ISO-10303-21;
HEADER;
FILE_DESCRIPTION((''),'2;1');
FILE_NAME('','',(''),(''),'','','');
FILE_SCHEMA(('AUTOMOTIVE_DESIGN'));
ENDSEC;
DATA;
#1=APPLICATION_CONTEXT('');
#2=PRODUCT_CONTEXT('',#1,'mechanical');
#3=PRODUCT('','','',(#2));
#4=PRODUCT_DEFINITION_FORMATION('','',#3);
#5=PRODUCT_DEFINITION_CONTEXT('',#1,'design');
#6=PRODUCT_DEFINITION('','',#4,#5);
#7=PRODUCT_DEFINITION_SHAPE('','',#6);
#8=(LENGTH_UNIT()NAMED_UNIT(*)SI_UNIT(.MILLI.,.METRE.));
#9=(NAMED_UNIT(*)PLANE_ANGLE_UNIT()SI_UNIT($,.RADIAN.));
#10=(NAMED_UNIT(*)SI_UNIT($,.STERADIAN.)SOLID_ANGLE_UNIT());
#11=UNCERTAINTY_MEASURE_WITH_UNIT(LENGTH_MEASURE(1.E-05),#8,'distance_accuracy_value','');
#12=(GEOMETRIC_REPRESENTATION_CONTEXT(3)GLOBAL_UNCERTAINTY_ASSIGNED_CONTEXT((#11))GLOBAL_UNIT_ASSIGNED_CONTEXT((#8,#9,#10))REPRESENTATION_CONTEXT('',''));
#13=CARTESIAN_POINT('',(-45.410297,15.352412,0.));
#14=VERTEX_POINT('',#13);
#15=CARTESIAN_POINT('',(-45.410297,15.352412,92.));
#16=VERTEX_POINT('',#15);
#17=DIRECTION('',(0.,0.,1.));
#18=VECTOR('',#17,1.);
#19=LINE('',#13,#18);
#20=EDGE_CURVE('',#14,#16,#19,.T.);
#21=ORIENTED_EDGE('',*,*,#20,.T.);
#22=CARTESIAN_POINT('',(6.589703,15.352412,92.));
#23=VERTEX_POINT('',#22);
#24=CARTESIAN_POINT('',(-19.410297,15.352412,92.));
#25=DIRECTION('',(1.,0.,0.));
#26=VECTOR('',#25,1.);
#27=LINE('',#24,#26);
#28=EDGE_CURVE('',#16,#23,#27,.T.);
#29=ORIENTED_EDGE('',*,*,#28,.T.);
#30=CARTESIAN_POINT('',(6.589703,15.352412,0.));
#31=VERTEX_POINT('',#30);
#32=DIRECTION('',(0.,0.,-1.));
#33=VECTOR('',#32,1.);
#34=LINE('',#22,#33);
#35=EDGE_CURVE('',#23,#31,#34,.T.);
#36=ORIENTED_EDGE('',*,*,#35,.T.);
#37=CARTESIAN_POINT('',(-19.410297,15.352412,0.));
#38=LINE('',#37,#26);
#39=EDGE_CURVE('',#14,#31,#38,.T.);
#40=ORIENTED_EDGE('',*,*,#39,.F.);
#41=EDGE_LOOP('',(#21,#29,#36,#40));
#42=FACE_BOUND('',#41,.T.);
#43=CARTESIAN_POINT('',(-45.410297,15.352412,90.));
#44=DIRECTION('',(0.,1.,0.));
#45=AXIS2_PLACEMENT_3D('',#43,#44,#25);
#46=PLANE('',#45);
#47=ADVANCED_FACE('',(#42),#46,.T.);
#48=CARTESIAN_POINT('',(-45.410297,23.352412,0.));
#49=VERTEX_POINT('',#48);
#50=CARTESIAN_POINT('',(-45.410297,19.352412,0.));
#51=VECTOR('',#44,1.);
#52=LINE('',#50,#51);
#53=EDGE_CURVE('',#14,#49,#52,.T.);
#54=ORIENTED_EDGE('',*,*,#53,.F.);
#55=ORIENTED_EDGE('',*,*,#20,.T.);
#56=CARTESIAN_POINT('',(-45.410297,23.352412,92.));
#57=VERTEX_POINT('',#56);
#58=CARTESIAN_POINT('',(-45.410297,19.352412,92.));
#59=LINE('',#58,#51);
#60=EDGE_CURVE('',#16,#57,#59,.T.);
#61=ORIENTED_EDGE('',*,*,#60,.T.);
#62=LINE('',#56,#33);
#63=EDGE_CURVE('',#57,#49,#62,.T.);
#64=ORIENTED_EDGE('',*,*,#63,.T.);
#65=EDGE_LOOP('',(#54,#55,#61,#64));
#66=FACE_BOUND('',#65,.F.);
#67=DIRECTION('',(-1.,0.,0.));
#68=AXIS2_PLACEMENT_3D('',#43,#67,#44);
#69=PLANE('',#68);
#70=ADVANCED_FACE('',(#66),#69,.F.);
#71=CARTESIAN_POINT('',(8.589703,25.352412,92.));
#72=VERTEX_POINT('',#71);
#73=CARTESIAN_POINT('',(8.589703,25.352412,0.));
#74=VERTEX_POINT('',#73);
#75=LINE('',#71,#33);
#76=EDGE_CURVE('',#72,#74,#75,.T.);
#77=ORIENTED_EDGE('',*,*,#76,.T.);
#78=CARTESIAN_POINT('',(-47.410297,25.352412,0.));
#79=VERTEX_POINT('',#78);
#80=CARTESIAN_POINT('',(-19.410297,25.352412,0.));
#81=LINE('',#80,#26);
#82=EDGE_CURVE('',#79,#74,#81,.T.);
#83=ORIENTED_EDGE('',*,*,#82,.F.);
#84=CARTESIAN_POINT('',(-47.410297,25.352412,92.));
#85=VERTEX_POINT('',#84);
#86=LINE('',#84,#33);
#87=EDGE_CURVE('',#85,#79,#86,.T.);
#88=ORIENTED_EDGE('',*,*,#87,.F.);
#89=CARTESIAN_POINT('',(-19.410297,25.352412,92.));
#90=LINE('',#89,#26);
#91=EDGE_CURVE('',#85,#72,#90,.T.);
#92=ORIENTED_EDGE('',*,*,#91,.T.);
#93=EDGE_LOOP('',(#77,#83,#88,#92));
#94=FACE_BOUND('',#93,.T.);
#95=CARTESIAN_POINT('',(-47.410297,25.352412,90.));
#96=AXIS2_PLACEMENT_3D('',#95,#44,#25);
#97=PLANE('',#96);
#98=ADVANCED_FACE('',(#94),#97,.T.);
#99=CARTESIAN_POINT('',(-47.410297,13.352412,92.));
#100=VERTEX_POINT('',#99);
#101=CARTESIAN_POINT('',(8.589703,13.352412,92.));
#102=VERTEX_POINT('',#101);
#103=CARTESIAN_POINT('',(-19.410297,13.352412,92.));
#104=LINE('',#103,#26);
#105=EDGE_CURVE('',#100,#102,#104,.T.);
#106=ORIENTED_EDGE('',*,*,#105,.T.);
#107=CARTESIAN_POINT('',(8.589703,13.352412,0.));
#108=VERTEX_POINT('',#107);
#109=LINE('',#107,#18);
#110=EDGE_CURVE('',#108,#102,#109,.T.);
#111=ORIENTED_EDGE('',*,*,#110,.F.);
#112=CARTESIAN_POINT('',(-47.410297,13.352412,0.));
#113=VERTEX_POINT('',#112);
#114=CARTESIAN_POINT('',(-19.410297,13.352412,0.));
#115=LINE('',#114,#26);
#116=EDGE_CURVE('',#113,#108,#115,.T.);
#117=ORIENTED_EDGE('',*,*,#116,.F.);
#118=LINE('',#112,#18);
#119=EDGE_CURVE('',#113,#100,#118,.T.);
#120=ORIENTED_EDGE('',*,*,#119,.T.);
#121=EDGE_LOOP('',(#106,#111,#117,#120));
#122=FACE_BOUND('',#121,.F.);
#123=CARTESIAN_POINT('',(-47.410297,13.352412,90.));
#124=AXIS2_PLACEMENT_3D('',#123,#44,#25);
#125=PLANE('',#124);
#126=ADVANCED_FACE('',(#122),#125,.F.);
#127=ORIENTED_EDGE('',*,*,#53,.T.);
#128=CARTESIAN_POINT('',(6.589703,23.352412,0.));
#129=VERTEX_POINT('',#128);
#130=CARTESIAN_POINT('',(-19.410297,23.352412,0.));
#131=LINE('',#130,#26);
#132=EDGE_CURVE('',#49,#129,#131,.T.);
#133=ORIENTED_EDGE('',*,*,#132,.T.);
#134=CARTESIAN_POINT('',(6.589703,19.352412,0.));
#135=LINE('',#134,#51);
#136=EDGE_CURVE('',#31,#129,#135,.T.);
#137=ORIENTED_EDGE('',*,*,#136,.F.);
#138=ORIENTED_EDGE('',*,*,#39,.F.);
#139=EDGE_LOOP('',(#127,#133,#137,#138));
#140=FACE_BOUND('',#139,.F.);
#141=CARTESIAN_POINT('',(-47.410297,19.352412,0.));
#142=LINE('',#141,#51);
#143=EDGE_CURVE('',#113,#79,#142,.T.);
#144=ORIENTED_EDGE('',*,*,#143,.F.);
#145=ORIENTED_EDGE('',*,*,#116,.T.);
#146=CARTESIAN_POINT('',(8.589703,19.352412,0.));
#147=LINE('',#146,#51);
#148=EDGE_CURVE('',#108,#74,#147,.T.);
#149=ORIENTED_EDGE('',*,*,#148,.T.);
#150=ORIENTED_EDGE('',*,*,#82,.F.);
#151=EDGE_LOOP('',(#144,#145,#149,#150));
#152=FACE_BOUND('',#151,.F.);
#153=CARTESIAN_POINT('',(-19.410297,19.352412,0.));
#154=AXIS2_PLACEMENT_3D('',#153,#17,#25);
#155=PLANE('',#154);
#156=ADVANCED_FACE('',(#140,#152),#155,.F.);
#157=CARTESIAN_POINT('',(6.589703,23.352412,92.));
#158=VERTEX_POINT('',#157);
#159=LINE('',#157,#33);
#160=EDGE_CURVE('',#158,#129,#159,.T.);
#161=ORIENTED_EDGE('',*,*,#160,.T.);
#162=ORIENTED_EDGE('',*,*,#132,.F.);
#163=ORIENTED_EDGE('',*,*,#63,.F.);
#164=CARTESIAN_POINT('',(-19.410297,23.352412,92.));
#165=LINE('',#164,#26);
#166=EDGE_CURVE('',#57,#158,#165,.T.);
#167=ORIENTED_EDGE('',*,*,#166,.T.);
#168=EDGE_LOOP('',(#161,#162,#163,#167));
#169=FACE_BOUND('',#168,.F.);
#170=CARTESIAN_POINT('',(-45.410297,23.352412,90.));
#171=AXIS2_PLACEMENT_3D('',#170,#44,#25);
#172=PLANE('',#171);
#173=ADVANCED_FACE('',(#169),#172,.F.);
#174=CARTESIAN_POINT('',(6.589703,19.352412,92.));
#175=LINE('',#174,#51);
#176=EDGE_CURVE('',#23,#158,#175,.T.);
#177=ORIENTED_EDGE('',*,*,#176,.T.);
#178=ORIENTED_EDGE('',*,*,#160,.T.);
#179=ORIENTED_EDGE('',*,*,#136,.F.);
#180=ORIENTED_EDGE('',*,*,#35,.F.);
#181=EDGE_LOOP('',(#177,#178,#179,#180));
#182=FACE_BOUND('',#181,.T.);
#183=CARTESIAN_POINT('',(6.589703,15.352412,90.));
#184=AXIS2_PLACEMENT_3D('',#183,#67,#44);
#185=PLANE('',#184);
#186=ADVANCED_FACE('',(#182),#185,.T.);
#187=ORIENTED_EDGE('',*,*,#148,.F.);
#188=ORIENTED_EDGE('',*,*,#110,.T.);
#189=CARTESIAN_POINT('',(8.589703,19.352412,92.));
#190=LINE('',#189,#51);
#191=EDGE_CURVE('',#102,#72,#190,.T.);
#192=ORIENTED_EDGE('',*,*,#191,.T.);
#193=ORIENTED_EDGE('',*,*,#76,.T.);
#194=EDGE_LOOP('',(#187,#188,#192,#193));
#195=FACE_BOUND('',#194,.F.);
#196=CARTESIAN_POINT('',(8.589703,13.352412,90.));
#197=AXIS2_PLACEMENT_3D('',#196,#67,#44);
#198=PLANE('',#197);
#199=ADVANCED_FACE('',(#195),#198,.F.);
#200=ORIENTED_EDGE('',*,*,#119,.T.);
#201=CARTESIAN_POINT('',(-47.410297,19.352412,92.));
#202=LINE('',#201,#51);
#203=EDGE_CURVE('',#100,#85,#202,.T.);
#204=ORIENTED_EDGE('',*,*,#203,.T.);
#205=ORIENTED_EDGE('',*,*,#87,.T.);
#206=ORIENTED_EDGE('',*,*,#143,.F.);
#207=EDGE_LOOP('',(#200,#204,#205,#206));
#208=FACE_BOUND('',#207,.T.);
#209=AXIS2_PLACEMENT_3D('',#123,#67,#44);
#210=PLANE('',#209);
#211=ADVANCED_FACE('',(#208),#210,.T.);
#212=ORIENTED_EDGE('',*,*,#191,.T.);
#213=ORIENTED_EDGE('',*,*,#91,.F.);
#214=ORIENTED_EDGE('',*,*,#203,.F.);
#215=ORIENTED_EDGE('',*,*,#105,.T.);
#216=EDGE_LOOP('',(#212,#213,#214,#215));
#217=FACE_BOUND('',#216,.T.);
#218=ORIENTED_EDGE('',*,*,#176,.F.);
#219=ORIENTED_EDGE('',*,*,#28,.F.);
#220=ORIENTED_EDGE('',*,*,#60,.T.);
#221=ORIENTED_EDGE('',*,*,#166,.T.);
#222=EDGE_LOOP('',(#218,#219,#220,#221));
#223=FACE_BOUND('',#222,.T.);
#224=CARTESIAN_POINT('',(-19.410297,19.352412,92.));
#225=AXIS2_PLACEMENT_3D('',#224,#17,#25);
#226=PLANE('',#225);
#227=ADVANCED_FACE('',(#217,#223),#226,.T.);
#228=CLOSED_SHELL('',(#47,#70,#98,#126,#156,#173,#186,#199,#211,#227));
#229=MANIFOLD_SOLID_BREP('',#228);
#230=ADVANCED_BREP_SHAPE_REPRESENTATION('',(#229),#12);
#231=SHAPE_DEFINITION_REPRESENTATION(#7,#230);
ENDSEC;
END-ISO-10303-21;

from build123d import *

# Parameters (mm, degrees)
F0_W        = 56
F0_H        = 12
F0_W_2      = 52
F0_H_2      = 8
F1_DEPTH    = 90
F1_FACE_W   = 56
F1_FACE_H   = 12
F1_FACE_W_2 = 52
F1_FACE_H_2 = 8
F2_DEPTH    = 2


with BuildPart() as f1:
    # F0 (on Top) → F1 (new body)
    with BuildSketch(Plane.XY):
        with Locations((-19.410297, 19.352412)):
            Rectangle(F0_W, F0_H)
        with Locations((-19.410297, 19.352412)):
            Rectangle(F0_W_2, F0_H_2, mode=Mode.SUBTRACT)
    extrude(amount=F1_DEPTH)

    # F1_face (on face) → F2 (join)
    with BuildSketch(Plane(origin=(-19.410297, 19.352412, 90), x_dir=(1, 0, 0), z_dir=(0, 0, 1))):
        Rectangle(F1_FACE_W, F1_FACE_H)
        Rectangle(F1_FACE_W_2, F1_FACE_H_2, mode=Mode.SUBTRACT)
    extrude(amount=F2_DEPTH)


solid = f1.part
